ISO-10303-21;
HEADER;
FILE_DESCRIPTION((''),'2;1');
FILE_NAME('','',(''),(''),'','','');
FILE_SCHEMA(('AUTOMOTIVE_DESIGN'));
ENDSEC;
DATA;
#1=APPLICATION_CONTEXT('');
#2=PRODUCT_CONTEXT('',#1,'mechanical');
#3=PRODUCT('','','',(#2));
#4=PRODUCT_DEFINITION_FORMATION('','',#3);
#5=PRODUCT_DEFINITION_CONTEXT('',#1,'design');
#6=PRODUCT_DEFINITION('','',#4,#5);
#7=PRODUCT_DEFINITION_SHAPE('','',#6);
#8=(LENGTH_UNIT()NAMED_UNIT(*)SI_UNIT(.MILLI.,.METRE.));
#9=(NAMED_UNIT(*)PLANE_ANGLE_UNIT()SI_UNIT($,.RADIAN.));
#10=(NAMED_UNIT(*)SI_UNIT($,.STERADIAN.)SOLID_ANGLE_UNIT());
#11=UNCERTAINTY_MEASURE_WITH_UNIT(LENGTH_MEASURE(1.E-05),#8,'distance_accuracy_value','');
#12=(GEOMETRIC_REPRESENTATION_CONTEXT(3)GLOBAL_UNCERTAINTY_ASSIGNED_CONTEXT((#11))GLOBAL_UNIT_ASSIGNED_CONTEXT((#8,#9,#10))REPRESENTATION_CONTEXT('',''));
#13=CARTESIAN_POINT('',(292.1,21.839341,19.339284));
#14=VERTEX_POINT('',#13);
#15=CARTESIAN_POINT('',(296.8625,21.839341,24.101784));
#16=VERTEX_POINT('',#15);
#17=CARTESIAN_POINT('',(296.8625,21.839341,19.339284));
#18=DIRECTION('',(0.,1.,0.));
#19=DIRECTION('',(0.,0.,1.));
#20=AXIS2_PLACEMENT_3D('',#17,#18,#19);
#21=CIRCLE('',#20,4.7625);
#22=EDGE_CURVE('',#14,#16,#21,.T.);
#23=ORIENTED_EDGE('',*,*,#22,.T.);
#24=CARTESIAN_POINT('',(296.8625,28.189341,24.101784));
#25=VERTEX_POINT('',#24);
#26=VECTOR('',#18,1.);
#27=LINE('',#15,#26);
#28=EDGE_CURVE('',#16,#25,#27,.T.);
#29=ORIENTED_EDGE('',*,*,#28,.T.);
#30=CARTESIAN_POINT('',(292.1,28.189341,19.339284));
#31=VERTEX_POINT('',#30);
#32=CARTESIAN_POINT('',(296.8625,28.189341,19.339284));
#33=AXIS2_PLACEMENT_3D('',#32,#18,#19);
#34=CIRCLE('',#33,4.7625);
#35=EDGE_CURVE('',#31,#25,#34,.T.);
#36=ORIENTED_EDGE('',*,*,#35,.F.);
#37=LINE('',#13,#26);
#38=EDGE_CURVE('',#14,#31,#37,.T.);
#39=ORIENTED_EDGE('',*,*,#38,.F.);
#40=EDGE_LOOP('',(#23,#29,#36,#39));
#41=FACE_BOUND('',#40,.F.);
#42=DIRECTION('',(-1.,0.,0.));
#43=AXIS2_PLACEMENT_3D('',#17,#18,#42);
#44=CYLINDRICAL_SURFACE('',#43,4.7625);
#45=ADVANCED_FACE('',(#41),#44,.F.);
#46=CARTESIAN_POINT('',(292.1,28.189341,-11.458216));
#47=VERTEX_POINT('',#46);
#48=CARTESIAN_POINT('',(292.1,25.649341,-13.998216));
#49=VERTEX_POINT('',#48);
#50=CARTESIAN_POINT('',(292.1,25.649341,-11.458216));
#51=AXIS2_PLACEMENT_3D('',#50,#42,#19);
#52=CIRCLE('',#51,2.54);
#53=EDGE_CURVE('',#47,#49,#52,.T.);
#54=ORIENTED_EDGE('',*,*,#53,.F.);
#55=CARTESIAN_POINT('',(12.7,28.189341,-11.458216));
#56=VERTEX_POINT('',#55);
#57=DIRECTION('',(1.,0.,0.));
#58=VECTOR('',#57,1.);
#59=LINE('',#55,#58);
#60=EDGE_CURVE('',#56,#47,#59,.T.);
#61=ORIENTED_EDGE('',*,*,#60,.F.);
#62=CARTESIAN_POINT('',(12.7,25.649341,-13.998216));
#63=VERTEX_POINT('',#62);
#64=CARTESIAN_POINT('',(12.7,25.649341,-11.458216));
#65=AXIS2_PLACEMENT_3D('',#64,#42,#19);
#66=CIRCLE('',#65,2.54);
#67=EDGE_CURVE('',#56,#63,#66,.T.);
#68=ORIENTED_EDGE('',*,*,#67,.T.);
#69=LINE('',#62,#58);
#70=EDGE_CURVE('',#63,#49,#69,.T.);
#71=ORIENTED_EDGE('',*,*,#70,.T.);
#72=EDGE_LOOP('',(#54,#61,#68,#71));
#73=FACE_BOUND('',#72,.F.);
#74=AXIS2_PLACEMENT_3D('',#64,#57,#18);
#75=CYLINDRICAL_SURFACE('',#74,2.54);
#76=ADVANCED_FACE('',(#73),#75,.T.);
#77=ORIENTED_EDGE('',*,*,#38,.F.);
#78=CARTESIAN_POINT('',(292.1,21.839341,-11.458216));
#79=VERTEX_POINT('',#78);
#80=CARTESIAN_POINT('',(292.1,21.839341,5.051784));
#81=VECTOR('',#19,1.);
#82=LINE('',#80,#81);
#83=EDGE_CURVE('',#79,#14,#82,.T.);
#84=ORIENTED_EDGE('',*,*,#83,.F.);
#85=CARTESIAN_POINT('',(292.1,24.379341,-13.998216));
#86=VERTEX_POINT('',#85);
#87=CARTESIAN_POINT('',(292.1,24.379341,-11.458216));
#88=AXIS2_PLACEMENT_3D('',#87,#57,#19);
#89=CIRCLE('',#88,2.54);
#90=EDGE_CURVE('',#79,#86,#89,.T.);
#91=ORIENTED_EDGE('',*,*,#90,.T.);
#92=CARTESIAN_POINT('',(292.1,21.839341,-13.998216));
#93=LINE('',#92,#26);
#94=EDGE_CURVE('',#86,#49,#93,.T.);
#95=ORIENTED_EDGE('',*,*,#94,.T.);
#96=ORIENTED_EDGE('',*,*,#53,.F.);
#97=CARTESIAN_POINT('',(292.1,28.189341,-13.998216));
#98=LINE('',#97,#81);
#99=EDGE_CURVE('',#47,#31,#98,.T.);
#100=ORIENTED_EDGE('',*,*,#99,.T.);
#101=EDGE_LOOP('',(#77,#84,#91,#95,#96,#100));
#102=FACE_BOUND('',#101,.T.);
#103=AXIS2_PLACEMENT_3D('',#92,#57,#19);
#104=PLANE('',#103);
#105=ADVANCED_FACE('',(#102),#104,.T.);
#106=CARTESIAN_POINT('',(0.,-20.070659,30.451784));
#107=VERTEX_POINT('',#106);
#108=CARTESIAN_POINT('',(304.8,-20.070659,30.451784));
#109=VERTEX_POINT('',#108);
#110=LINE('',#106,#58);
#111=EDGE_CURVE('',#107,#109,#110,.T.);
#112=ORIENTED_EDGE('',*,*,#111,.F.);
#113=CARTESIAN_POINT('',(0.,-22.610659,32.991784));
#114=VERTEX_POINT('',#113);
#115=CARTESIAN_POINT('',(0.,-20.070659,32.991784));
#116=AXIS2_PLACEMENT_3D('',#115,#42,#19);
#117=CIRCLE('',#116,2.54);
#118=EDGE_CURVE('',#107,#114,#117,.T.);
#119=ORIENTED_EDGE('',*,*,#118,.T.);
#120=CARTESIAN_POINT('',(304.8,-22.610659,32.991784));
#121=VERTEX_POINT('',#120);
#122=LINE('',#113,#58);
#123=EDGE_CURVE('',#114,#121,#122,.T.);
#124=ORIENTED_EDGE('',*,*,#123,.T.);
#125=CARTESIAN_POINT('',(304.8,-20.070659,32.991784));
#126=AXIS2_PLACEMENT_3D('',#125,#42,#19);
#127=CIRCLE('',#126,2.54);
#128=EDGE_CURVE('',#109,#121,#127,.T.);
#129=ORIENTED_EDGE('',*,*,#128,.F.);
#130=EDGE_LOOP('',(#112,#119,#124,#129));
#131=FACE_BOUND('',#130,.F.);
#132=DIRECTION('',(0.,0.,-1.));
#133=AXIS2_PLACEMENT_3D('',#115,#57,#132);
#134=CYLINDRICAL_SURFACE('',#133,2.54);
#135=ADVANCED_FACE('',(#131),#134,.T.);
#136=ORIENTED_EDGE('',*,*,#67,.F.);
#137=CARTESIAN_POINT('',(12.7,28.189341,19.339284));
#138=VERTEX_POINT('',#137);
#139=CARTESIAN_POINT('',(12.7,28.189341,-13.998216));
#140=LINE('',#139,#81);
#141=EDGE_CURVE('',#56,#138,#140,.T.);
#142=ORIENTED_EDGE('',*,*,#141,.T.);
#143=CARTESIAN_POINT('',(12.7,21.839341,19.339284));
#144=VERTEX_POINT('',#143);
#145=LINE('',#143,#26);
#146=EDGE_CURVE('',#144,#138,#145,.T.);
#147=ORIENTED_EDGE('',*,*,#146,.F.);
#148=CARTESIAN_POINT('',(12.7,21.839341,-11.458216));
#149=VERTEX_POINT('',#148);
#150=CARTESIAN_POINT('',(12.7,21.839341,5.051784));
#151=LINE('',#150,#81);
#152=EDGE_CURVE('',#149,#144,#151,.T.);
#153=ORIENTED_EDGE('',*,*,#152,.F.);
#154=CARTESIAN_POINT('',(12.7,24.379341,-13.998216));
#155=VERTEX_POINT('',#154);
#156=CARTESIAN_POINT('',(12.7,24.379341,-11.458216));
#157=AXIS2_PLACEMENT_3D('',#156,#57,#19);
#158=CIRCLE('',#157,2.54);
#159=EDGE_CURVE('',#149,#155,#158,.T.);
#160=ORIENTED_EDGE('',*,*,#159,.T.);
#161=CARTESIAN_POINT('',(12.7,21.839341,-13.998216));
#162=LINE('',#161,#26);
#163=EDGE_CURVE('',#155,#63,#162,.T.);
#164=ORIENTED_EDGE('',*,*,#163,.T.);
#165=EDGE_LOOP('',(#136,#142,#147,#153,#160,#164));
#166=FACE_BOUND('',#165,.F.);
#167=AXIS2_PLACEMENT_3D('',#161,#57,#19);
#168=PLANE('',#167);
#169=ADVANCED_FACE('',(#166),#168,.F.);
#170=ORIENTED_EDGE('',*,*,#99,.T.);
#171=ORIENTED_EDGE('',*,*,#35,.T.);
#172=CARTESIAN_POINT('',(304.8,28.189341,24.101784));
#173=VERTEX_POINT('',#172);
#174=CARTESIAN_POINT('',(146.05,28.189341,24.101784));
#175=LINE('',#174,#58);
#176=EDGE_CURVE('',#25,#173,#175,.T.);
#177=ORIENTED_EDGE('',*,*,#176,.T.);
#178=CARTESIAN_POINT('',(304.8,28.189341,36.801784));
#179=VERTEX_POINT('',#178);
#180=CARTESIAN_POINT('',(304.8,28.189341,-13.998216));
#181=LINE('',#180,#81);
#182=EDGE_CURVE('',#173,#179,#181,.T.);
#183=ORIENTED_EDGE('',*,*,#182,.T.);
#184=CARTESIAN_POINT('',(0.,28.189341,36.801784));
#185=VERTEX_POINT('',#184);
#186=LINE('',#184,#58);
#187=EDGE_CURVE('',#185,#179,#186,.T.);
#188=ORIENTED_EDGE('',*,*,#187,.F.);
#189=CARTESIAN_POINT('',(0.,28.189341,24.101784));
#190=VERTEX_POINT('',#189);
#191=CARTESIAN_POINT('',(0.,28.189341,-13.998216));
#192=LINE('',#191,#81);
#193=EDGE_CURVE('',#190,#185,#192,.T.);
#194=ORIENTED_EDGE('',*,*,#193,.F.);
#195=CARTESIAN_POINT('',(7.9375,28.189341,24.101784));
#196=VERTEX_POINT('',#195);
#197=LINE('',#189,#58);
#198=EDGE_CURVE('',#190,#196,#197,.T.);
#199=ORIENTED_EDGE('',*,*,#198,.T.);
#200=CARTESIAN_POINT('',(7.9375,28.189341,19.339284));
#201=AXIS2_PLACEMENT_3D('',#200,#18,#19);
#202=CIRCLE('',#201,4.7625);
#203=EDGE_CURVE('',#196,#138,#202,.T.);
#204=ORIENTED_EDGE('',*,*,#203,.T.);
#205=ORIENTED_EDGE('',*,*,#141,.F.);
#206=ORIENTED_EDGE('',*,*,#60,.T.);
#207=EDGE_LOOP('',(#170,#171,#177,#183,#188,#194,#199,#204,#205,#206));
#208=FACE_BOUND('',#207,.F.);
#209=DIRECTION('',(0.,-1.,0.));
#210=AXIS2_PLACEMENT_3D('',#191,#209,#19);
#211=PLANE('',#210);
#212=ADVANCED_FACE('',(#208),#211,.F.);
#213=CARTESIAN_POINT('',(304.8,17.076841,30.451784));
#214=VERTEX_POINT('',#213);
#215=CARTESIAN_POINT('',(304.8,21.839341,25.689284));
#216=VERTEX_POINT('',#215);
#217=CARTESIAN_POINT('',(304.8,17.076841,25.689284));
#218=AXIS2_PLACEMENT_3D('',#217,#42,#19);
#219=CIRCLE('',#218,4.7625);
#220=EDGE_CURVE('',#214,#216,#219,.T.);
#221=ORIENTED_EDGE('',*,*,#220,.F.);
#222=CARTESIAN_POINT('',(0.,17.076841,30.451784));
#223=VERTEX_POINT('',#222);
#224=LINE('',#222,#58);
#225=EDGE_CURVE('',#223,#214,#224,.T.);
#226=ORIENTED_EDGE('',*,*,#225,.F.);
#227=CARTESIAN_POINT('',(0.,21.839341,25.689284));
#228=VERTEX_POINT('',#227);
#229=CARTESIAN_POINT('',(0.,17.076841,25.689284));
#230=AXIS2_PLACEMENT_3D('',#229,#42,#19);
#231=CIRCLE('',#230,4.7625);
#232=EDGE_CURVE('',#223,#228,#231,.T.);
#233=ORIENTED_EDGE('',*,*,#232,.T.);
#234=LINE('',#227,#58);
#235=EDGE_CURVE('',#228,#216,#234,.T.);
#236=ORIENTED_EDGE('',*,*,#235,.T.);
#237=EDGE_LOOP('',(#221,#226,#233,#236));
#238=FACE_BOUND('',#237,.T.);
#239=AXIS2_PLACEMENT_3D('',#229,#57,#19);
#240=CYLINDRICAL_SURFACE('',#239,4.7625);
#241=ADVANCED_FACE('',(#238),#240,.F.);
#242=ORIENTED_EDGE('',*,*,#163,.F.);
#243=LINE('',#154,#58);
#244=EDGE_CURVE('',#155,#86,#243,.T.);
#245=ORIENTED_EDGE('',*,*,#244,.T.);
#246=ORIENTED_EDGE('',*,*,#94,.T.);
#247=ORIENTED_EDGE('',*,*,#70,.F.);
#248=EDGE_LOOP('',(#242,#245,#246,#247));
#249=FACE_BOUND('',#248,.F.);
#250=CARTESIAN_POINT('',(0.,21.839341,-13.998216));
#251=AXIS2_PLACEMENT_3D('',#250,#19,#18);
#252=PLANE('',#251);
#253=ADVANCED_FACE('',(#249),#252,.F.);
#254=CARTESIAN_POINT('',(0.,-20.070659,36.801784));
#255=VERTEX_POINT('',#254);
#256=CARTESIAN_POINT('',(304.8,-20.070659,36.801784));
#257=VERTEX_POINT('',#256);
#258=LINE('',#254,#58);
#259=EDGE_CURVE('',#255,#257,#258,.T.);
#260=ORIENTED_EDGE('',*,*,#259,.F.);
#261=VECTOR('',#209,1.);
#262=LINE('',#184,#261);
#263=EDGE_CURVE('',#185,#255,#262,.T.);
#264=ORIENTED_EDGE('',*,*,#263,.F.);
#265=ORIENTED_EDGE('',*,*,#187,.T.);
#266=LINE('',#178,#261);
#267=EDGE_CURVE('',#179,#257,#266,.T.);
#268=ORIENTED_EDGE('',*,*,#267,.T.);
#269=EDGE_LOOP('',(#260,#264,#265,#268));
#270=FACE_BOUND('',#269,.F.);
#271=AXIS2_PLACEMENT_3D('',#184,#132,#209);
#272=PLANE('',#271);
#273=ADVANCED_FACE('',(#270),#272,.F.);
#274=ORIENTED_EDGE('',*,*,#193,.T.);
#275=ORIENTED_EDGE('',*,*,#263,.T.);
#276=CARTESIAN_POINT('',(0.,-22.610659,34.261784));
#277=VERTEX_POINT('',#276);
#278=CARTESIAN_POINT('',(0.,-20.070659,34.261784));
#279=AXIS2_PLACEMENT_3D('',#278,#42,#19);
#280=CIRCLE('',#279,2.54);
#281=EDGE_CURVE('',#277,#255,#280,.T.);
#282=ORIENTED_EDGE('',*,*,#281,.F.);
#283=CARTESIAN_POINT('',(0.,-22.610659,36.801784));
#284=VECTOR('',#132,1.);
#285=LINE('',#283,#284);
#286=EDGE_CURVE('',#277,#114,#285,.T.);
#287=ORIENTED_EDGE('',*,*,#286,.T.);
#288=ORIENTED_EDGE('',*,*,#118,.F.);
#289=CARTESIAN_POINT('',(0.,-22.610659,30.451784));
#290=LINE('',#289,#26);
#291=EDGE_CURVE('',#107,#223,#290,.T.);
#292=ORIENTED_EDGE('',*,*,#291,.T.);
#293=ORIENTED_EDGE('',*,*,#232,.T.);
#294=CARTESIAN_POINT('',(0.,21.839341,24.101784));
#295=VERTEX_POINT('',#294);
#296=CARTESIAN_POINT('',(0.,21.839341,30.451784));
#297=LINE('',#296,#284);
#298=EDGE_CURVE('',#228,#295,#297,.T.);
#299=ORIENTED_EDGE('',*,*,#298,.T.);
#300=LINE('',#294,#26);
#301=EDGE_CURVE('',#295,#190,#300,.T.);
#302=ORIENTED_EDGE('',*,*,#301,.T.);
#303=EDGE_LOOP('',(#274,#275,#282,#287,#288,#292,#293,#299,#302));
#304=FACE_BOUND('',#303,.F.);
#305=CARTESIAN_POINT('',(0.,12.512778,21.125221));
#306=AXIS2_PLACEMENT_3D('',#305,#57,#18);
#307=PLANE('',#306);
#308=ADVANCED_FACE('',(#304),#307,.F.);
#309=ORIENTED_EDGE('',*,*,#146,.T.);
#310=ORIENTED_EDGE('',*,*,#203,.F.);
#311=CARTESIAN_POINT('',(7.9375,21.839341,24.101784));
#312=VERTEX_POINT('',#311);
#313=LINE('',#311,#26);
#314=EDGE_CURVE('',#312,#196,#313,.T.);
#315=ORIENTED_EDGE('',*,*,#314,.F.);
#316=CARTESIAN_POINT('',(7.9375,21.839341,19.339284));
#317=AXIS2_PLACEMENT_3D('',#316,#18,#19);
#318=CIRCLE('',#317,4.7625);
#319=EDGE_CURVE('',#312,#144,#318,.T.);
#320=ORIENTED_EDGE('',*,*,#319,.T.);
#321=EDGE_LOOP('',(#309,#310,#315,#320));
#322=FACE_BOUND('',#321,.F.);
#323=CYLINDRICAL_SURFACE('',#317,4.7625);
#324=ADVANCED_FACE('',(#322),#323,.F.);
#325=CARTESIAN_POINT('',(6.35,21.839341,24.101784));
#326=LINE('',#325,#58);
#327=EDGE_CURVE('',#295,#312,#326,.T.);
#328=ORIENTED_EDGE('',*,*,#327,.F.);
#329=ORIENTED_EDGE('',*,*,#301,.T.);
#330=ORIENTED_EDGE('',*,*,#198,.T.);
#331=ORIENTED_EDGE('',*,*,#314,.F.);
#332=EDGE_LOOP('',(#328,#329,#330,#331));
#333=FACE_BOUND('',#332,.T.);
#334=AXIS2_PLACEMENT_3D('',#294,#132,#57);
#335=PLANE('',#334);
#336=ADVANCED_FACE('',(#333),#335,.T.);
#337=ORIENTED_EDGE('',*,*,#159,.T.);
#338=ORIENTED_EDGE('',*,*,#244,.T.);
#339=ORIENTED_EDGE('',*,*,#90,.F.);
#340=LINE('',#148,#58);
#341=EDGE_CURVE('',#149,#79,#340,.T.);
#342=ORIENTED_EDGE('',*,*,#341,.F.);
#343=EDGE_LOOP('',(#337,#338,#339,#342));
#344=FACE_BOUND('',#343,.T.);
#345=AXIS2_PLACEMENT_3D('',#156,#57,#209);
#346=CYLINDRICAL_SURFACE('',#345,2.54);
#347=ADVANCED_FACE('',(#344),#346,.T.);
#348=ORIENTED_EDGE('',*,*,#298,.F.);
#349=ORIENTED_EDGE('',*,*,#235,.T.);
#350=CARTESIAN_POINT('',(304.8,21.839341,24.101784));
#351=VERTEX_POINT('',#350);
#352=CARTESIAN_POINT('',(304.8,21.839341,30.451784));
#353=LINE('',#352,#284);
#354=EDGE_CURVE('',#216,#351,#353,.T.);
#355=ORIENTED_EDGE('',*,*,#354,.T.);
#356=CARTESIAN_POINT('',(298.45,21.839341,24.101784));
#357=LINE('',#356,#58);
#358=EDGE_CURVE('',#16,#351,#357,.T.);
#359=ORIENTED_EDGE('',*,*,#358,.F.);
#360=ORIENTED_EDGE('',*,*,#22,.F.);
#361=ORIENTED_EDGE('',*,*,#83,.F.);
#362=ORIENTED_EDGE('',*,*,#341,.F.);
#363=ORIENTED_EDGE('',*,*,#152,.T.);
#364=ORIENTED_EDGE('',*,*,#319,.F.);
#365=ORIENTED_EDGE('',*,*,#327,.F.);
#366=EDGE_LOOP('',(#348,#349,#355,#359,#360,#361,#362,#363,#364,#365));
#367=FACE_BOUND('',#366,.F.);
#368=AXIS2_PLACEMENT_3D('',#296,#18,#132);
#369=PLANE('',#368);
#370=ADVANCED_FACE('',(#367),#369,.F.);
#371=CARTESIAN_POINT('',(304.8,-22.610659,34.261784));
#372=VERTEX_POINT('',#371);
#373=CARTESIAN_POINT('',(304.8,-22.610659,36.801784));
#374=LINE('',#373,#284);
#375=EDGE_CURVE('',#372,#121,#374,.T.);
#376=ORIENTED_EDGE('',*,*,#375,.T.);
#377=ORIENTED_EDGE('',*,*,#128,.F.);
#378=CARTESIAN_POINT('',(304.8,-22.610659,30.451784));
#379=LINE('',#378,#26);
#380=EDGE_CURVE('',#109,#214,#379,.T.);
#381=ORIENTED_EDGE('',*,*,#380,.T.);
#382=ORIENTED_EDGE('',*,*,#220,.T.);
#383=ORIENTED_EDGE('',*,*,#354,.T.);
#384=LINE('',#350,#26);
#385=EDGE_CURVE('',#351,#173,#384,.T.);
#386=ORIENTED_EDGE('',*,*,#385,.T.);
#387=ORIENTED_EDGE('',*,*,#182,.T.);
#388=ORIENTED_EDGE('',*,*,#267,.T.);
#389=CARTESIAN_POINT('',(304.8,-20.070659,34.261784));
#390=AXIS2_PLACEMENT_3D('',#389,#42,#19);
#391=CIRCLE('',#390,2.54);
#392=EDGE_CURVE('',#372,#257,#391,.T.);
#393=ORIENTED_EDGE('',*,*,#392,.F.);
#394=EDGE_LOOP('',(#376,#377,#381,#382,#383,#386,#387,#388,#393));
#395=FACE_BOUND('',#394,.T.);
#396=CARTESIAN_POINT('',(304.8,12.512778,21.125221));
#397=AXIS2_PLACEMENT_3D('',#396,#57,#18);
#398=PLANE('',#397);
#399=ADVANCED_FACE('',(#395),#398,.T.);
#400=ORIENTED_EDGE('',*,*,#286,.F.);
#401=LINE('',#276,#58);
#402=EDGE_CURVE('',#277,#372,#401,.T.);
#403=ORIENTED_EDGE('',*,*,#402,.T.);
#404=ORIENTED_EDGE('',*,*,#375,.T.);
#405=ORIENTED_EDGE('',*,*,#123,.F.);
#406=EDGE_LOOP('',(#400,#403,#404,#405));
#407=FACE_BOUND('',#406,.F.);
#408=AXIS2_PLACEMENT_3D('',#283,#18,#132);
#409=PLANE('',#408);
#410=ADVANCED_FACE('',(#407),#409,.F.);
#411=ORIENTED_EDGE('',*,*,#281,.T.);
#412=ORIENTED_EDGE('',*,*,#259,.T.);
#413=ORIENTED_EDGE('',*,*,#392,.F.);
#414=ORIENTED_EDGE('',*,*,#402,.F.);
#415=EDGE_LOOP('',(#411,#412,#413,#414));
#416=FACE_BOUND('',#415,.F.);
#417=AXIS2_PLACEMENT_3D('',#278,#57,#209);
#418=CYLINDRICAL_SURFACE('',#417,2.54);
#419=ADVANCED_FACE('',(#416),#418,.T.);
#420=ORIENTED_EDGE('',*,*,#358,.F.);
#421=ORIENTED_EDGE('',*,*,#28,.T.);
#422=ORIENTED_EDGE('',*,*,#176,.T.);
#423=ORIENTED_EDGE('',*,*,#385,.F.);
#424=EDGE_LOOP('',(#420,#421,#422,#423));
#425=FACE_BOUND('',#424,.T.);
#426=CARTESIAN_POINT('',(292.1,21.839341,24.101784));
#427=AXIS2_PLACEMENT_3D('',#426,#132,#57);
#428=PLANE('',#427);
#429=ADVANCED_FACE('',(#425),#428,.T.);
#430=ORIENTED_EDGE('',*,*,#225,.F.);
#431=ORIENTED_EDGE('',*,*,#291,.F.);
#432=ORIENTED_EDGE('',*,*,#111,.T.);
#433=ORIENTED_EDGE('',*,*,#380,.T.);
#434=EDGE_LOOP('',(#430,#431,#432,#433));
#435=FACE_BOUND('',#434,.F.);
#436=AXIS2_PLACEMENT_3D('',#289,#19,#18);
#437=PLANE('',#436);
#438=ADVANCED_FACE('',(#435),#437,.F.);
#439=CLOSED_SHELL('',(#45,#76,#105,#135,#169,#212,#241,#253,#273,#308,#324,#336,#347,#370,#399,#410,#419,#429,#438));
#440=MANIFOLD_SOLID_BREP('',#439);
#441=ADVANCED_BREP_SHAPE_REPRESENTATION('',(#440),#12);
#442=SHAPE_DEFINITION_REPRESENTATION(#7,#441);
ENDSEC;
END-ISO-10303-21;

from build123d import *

# Parameters (mm, degrees)
F1_DEPTH = 304.8
F2_W     = 12.7
F2_H     = 38.1
F3_DEPTH = 25.4
F4_W     = 12.7
F4_H     = 38.1
F5_DEPTH = 25.4
F6_R     = 4.7625
F7_R     = 2.54
F8_R     = 4.7625


with BuildPart() as f1:
    # F0 (on Right) → F1 (new body)
    with BuildSketch(Plane.YZ):
        Polygon((28.189341, 36.801784), (-22.610659, 36.801784), (-22.610659, 30.451784), (21.839341, 30.451784), (21.839341, -13.998216), (28.189341, -13.998216), align=None)
    extrude(amount=F1_DEPTH)

    # F2 (on face) → F3 (cut)
    with BuildSketch(Plane.XZ.offset(-21.839341)):
        with Locations((6.35, 5.051784)):
            Rectangle(F2_W, F2_H)
    extrude(amount=-F3_DEPTH, mode=Mode.SUBTRACT)

    # F4 (on face) → F5 (cut)
    with BuildSketch(Plane.XZ.offset(-21.839341)):
        with Locations((298.45, 5.051784)):
            Rectangle(F4_W, F4_H)
    extrude(amount=-F5_DEPTH, mode=Mode.SUBTRACT)

    # F6
    f6_edges = [f1.edges().sort_by_distance(p)[0] for p in [
        (152.4, 21.839341, 30.451784),
    ]]
    fillet(f6_edges, radius=F6_R)

    # F7
    f7_edges = [f1.edges().sort_by_distance(p)[0] for p in [
        (152.4, -22.610659, 36.801784),
        (152.4, -22.610659, 30.451784),
        (152.4, 21.839341, -13.998216),
        (152.4, 28.189341, -13.998216),
    ]]
    fillet(f7_edges, radius=F7_R)

    # F8
    f8_edges = [f1.edges().sort_by_distance(p)[0] for p in [
        (292.1, 25.014341, 24.101784),
        (12.7, 25.014341, 24.101784),
    ]]
    fillet(f8_edges, radius=F8_R)


solid = f1.part
